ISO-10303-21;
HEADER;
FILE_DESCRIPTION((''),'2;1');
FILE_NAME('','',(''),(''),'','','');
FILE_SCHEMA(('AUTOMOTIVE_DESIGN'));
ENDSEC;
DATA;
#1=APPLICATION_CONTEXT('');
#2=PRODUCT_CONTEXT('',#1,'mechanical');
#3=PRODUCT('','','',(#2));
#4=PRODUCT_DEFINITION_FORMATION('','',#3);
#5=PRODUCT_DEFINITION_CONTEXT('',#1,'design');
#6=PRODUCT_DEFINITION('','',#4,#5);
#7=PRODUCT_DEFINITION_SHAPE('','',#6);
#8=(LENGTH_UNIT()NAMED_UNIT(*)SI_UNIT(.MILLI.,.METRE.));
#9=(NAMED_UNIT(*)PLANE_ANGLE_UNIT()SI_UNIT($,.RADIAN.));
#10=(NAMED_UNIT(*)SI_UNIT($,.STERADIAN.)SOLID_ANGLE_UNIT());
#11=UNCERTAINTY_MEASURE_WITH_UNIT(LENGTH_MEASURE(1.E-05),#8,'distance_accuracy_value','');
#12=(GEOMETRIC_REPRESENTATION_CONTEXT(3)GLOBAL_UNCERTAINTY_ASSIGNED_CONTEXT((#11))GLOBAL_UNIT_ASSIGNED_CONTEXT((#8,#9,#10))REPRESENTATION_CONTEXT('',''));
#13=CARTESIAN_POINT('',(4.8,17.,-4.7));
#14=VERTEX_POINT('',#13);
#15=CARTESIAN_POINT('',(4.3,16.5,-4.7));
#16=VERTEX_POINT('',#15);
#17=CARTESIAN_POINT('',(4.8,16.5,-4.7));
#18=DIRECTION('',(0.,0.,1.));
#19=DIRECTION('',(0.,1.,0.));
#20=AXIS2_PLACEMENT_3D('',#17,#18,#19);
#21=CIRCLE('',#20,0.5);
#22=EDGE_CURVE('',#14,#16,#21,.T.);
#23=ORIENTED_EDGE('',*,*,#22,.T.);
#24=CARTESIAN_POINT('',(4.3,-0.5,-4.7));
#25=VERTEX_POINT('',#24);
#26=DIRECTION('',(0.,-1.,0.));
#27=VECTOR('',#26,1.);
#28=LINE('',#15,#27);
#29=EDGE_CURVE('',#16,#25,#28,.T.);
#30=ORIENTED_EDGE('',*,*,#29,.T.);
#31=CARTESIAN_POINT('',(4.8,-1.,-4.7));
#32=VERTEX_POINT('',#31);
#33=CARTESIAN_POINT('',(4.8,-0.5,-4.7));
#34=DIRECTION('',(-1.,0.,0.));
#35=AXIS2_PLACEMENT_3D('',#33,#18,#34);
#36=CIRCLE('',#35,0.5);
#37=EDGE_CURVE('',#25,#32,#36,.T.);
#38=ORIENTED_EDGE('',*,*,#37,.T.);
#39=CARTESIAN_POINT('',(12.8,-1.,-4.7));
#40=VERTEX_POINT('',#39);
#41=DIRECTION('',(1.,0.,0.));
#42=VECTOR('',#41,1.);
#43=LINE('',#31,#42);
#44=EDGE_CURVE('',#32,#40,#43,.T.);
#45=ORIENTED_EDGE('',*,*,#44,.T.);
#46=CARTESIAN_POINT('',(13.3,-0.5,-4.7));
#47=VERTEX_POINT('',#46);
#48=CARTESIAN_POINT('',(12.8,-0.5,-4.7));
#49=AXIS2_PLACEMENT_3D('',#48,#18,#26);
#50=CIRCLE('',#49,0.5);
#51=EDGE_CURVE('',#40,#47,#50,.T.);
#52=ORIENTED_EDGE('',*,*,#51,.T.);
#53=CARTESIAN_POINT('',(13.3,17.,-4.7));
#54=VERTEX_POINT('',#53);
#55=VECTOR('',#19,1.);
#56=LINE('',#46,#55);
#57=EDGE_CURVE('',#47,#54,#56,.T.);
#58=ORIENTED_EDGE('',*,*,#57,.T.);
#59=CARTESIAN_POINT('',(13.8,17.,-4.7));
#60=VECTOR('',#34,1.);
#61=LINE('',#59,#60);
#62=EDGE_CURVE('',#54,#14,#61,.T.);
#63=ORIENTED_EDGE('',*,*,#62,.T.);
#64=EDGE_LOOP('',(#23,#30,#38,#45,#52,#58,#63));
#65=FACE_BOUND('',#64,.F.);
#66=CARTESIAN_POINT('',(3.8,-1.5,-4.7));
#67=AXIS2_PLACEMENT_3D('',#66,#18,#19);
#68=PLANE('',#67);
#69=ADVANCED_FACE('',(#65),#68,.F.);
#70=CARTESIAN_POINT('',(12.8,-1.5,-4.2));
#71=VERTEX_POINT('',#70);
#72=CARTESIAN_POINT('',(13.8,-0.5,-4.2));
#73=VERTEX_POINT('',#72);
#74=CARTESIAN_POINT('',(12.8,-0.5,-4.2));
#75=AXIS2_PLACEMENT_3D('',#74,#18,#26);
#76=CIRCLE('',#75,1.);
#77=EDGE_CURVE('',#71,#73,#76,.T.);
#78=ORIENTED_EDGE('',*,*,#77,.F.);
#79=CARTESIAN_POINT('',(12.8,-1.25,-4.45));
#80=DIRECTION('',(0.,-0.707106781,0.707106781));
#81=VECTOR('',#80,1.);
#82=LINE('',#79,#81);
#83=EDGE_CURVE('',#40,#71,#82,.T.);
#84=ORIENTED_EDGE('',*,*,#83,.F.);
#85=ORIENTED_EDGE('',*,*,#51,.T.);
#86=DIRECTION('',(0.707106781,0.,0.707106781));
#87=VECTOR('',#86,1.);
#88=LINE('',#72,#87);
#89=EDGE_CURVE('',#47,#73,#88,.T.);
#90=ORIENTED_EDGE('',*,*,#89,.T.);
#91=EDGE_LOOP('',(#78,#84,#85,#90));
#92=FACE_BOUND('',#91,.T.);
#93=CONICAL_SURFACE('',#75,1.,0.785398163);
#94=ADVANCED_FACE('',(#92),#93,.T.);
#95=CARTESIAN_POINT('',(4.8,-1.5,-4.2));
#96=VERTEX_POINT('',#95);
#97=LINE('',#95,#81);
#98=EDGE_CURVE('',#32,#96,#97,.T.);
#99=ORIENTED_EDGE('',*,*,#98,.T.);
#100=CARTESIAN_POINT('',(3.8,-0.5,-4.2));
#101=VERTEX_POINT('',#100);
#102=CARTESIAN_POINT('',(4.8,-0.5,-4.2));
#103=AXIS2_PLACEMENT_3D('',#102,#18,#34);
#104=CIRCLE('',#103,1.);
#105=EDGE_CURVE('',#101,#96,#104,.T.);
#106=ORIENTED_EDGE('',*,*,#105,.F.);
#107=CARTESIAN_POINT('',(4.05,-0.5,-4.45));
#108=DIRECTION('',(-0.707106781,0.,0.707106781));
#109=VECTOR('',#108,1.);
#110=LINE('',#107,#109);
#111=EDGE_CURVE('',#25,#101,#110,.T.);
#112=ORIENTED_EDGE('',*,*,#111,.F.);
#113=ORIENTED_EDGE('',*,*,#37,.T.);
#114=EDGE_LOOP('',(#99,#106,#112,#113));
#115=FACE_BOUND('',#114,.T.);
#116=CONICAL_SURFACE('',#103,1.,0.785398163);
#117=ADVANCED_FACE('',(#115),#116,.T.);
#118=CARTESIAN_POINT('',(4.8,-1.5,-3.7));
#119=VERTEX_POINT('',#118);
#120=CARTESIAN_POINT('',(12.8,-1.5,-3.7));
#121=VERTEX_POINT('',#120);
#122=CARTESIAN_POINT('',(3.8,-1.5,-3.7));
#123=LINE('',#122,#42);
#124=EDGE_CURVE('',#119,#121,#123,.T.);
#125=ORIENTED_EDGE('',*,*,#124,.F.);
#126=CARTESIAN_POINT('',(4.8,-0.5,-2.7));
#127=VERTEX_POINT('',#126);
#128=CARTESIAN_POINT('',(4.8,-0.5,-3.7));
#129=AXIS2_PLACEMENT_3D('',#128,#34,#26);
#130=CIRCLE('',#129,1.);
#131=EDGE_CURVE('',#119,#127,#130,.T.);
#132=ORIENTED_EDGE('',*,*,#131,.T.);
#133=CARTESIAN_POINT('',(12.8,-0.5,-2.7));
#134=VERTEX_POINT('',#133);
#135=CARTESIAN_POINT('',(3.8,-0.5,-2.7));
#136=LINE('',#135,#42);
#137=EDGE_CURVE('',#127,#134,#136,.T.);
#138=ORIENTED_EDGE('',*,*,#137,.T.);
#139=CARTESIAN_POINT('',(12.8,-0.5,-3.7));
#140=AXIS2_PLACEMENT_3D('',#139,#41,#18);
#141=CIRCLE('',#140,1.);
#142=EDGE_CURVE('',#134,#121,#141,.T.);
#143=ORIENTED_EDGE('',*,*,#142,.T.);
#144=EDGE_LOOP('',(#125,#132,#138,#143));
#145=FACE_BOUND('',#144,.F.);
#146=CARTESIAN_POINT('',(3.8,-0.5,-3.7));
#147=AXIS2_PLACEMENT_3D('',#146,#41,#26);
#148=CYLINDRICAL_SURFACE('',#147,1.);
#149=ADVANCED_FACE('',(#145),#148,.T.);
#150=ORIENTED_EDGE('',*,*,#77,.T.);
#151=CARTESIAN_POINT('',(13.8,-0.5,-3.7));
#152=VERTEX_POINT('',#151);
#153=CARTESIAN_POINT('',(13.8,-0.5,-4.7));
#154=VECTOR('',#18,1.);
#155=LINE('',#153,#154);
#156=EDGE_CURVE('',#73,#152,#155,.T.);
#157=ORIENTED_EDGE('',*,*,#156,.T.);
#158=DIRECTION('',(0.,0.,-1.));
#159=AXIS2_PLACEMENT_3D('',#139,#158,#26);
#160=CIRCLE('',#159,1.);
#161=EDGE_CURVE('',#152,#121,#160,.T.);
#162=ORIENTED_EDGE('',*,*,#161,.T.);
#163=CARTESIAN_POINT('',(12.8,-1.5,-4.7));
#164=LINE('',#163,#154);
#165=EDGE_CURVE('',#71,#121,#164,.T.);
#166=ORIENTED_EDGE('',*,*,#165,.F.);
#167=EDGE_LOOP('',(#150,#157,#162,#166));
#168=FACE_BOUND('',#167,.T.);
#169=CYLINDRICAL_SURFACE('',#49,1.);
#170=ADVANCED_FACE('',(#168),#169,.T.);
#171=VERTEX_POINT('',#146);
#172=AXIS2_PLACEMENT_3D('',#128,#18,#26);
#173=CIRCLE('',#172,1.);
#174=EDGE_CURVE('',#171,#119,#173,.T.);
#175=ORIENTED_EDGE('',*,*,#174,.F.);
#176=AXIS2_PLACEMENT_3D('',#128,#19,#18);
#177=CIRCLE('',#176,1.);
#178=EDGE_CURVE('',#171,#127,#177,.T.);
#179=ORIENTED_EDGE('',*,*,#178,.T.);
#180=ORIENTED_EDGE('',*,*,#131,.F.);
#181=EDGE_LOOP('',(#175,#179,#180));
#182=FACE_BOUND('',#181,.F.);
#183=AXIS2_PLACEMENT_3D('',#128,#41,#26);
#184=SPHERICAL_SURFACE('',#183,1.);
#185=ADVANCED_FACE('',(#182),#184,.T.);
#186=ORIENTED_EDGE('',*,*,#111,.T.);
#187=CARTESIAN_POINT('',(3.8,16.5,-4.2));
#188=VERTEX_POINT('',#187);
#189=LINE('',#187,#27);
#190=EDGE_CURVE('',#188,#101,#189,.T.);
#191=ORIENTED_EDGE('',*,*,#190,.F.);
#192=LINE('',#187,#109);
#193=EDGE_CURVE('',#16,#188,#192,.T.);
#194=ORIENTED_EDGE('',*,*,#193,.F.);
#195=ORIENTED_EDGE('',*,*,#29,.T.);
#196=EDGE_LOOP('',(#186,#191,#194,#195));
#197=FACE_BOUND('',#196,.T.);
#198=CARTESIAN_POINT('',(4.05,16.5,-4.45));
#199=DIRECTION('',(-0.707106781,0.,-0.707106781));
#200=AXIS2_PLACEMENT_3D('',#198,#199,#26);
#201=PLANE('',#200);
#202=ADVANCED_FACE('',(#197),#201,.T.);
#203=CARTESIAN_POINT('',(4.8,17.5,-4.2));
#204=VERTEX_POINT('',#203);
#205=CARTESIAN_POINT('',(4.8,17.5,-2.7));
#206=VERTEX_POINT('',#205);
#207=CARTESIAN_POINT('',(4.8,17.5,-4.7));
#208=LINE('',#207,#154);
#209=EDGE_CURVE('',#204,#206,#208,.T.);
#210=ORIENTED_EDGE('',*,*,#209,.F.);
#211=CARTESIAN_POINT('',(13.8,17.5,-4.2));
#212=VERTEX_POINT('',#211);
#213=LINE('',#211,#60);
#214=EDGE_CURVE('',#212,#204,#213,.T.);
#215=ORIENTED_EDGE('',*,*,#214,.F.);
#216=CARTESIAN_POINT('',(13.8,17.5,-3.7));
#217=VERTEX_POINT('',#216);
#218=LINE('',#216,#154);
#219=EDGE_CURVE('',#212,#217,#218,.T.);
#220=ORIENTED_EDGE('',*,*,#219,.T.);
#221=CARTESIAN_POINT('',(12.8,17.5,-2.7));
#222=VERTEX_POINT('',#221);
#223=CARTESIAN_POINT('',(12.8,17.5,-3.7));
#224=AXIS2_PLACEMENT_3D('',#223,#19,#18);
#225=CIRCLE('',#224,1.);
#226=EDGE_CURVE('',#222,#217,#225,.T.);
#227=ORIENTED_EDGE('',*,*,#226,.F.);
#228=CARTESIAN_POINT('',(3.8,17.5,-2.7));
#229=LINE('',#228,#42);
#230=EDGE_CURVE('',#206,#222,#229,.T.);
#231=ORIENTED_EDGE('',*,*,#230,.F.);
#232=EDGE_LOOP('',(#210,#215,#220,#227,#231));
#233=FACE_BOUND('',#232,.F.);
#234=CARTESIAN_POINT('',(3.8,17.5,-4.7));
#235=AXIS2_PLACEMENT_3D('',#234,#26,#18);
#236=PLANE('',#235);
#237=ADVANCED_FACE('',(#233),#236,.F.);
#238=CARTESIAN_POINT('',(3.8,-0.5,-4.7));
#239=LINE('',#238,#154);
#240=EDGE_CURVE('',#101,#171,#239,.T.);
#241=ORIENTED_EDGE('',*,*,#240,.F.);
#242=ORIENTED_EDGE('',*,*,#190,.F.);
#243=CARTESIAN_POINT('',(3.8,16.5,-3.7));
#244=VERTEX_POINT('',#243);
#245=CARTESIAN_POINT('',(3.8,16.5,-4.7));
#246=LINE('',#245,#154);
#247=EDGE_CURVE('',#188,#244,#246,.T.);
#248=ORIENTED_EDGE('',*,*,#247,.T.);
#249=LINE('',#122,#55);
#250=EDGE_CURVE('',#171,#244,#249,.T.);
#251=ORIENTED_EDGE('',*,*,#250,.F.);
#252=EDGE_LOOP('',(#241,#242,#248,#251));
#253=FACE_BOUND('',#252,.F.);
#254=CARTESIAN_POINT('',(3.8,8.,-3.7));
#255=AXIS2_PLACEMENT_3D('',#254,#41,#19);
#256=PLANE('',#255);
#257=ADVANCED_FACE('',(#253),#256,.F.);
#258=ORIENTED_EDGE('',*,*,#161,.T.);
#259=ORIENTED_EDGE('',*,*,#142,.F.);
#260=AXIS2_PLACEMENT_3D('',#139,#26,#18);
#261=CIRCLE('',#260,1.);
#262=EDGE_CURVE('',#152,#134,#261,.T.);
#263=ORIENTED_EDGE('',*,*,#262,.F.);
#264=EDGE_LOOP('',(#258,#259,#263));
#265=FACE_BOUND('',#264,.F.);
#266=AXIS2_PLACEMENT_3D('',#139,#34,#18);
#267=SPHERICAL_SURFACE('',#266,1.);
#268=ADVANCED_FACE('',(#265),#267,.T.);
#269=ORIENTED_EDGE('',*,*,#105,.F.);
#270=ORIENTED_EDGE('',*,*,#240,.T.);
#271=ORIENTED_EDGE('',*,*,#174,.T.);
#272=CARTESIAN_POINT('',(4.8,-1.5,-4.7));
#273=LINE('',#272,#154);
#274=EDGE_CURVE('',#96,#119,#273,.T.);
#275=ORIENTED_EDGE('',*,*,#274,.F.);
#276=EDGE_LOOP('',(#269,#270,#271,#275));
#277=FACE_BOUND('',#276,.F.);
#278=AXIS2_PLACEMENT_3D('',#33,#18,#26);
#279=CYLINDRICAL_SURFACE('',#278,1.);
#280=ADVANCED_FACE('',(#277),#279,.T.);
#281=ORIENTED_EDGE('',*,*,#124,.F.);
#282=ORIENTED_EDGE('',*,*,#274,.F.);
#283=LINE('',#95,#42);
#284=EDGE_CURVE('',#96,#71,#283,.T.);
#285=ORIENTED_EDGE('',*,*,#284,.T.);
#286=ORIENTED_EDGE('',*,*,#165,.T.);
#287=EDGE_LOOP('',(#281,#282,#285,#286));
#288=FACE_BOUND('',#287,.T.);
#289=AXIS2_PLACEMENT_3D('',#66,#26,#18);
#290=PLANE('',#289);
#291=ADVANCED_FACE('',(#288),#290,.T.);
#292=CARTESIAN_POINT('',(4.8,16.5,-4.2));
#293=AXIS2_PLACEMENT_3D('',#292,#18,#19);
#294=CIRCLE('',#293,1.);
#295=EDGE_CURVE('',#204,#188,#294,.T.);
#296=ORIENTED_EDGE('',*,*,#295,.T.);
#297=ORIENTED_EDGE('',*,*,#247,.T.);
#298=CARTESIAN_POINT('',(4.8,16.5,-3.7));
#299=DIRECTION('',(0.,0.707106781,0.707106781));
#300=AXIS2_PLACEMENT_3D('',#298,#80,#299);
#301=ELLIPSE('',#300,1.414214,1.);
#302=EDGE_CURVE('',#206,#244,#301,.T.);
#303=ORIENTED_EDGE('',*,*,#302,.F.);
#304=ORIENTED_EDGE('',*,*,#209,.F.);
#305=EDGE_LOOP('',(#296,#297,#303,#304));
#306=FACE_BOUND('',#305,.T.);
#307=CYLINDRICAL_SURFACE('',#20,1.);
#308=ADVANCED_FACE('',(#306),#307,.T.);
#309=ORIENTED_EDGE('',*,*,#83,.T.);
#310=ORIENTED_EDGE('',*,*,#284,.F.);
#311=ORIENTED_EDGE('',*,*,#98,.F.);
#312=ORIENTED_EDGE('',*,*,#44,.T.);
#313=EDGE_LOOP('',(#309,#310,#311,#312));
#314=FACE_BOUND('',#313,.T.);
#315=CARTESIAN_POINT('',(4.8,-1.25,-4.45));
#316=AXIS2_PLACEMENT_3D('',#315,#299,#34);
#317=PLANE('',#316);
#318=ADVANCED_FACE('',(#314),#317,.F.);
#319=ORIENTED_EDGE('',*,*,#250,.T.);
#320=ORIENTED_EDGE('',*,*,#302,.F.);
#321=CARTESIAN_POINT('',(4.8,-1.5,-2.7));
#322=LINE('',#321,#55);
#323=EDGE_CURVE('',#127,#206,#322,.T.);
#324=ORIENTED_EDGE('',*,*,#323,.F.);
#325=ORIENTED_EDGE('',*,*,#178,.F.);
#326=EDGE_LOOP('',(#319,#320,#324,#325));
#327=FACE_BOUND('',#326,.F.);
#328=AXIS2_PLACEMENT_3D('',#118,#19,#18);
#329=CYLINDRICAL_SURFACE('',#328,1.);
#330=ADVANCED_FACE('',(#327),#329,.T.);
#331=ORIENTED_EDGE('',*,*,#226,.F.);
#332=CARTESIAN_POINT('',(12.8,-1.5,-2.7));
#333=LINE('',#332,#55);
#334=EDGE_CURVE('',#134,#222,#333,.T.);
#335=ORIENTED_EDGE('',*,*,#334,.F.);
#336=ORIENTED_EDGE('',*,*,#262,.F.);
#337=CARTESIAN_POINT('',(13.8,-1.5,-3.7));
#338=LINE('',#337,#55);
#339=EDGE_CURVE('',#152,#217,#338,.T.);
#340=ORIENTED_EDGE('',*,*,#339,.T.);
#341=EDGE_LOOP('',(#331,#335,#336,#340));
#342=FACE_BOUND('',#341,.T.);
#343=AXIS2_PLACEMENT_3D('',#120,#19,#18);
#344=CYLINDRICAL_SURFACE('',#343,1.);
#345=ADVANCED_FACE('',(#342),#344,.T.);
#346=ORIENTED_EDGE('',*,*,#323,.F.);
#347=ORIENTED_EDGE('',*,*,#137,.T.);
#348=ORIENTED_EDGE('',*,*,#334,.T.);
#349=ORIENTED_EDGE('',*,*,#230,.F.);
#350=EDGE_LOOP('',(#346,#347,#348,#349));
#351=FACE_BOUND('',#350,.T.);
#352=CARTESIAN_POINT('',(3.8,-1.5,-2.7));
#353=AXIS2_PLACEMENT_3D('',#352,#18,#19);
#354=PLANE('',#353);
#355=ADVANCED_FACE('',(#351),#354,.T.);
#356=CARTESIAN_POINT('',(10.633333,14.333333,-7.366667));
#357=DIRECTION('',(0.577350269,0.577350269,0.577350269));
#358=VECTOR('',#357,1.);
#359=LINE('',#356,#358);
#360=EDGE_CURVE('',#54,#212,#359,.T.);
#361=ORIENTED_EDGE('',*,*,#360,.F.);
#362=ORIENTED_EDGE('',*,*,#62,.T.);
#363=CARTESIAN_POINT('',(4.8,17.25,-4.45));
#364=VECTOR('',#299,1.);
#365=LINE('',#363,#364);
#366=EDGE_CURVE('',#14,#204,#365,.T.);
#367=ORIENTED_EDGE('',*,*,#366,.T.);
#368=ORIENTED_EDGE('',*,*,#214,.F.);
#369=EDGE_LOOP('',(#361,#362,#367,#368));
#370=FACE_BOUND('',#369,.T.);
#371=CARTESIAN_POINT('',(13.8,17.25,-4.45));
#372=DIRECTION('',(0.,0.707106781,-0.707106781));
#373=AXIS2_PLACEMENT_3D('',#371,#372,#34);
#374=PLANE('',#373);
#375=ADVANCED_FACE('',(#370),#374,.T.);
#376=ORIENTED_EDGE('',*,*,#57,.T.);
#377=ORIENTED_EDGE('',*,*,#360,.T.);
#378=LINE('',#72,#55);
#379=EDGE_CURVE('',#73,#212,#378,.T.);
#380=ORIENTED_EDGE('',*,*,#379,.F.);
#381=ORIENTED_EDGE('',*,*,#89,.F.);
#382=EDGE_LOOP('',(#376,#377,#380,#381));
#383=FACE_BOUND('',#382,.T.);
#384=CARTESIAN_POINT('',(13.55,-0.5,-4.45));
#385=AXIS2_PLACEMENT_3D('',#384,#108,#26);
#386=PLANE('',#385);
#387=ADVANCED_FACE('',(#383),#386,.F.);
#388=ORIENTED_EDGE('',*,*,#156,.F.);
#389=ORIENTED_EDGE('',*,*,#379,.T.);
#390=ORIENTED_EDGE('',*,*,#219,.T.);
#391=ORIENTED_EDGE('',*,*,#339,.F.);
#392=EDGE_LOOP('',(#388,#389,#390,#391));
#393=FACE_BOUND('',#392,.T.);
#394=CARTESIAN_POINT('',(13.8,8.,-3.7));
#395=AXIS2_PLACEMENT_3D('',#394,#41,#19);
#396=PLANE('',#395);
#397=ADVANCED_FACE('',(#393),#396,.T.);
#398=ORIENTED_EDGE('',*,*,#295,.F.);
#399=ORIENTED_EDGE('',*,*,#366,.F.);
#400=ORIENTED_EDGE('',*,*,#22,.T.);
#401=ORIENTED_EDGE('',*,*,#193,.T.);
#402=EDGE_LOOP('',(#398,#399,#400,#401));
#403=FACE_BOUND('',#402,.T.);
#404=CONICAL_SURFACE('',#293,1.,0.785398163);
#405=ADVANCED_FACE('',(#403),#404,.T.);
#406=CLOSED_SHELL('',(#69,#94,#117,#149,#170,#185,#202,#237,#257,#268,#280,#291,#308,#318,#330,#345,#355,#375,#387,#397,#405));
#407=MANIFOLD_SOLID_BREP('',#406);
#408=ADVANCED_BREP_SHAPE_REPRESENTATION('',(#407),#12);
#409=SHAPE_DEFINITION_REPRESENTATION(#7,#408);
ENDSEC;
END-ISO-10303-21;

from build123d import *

# Parameters (mm, degrees)
SKETCH005_W     = 19
SKETCH005_H     = 2
PAD004_DEPTH    = 10
FILLET003_R     = 1
CHAMFER005_SIZE = 0.5


with BuildPart() as part:
    # Sketch005 → Pad004 (new body)
    with BuildSketch(Plane.YZ):
        with Locations((-9.5, 1)):
            Rectangle(SKETCH005_W, SKETCH005_H)
    extrude(amount=PAD004_DEPTH)

    # Fillet003
    fillet003_edges = [part.edges().sort_by_distance(p)[0] for p in [
        (5, -19, 2),
        (0, -19, 1),
        (0, -9.5, 2),
        (10, -9.5, 2),
        (0, 0, 1),
        (10, -19, 1),
    ]]
    fillet(fillet003_edges, radius=FILLET003_R)

    # Chamfer005
    chamfer005_edges = [part.edges().sort_by_distance(p)[0] for p in [
        (10, -9, 0),
    ]]
    chamfer(chamfer005_edges, length=CHAMFER005_SIZE)


with BuildPart() as part_1:
    # Body005 placement: moved
    add(part.part.moved(Location((3.8, 17.5, -4.7))))


solid = part_1.part
